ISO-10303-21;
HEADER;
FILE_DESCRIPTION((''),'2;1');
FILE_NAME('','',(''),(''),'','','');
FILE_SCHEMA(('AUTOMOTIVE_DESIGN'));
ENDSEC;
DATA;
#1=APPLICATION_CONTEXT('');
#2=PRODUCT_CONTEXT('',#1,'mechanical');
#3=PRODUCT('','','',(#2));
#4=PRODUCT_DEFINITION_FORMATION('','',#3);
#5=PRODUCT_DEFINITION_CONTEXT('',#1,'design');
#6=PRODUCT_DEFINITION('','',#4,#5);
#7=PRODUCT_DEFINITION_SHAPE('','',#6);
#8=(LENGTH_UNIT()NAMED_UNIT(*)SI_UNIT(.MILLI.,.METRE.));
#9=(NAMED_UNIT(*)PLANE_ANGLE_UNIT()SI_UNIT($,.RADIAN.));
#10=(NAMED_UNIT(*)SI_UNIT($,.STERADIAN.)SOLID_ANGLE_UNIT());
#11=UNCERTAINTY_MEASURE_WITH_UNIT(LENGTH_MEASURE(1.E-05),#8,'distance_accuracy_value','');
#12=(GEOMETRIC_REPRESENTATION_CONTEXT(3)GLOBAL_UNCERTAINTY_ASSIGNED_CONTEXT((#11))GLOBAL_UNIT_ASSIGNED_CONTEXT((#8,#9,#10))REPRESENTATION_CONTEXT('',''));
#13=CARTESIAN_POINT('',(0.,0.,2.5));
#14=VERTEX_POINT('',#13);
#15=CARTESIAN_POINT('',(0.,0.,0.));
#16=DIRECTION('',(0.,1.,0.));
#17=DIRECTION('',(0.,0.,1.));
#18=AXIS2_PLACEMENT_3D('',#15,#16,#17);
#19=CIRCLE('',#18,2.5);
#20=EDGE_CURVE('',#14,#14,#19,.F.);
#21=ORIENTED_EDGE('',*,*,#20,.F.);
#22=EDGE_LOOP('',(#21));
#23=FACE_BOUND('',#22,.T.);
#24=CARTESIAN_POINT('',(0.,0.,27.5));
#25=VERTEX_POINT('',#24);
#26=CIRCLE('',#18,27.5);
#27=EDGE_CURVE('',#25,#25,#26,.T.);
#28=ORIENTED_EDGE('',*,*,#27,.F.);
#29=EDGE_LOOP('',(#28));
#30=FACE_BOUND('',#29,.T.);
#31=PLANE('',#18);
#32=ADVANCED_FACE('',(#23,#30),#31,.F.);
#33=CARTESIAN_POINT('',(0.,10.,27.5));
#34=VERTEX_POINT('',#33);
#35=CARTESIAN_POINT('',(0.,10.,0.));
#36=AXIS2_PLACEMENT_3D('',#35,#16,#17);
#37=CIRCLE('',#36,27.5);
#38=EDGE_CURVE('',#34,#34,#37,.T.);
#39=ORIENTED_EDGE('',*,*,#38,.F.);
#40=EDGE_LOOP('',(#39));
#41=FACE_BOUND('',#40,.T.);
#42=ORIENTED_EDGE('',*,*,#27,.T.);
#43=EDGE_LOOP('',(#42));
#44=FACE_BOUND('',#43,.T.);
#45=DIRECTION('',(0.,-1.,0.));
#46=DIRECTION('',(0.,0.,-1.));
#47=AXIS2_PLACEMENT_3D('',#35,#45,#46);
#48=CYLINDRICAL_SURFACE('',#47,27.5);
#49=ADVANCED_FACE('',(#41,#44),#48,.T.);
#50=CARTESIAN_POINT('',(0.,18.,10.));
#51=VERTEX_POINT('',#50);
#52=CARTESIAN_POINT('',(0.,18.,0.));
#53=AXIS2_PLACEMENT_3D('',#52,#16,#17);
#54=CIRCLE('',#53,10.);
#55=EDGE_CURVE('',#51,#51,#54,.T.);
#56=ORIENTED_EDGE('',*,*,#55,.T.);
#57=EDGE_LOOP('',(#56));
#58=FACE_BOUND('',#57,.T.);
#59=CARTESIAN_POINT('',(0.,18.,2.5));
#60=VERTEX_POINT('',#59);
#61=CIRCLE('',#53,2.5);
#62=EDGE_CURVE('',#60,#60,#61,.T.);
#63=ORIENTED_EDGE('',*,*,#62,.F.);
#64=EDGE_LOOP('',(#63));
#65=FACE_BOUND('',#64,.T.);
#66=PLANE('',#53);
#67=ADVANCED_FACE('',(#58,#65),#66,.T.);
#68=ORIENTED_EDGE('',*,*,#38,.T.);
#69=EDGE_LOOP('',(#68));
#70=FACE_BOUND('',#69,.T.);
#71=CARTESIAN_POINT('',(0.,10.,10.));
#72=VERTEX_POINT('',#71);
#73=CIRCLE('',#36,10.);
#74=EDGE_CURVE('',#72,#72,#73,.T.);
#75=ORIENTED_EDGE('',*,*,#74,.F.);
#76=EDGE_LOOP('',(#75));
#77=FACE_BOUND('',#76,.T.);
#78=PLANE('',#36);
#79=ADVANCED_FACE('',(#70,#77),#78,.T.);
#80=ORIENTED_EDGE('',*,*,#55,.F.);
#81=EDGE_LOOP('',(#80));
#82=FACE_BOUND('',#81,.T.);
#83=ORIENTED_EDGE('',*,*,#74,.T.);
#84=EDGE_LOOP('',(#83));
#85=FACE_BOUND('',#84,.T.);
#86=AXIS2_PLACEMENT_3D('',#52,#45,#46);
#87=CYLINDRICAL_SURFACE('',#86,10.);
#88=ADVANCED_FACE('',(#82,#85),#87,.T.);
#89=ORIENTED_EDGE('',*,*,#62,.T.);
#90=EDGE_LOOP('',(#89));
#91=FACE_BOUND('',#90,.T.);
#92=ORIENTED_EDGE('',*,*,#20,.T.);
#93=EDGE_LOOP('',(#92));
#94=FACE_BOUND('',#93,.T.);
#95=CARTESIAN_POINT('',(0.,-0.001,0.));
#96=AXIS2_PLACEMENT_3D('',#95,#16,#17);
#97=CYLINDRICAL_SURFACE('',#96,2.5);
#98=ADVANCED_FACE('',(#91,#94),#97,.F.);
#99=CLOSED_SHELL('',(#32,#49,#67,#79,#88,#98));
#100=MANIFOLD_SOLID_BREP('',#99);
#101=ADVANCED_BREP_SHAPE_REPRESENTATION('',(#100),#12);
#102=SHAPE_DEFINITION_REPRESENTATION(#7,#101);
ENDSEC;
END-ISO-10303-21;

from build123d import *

# Parameters (mm, degrees)
CROQUIS1_R              = 27.5
SALIENTE_EXTRUIR1_DEPTH = 10
CROQUIS2_R              = 10
SALIENTE_EXTRUIR2_DEPTH = 8
CORTAR_EXTRUIR1_REACH   = 44.854
CROQUIS3_R              = 2.5


with BuildPart() as part:
    # Croquis1 → Saliente-Extruir1 (new body)
    with BuildSketch(Plane(origin=(0, 0, 0), x_dir=(1, 0, 0), z_dir=(0, 1, 0))):
        with Locations(Location((0, 0, 0), (0, 0, 270))):
            Circle(CROQUIS1_R)
    extrude(amount=SALIENTE_EXTRUIR1_DEPTH)

    # Croquis2 → Saliente-Extruir2 (add)
    with BuildSketch(Plane(origin=(0, 10, 0), x_dir=(1, 0, 0), z_dir=(0, 1, 0))):
        with Locations(Location((0, 0, 0), (0, 0, 270))):
            Circle(CROQUIS2_R)
    extrude(amount=SALIENTE_EXTRUIR2_DEPTH)

    # Croquis3 → Cortar-Extruir1 (cut, up to next)
    with BuildSketch(Plane(origin=(0, 18, 0), x_dir=(1, 0, 0), z_dir=(0, 1, 0)), mode=Mode.PRIVATE) as cortar_extruir1_sk1:
        with Locations(Location((0, 0, 0), (0, 0, 270))):
            Circle(CROQUIS3_R)
    cortar_extruir1_tool1 = extrude(cortar_extruir1_sk1.sketch, amount=-CORTAR_EXTRUIR1_REACH, mode=Mode.PRIVATE) & part.part
    add(cortar_extruir1_tool1.solids().sort_by_distance((0, 18, 0))[0], mode=Mode.SUBTRACT)


solid = part.part
